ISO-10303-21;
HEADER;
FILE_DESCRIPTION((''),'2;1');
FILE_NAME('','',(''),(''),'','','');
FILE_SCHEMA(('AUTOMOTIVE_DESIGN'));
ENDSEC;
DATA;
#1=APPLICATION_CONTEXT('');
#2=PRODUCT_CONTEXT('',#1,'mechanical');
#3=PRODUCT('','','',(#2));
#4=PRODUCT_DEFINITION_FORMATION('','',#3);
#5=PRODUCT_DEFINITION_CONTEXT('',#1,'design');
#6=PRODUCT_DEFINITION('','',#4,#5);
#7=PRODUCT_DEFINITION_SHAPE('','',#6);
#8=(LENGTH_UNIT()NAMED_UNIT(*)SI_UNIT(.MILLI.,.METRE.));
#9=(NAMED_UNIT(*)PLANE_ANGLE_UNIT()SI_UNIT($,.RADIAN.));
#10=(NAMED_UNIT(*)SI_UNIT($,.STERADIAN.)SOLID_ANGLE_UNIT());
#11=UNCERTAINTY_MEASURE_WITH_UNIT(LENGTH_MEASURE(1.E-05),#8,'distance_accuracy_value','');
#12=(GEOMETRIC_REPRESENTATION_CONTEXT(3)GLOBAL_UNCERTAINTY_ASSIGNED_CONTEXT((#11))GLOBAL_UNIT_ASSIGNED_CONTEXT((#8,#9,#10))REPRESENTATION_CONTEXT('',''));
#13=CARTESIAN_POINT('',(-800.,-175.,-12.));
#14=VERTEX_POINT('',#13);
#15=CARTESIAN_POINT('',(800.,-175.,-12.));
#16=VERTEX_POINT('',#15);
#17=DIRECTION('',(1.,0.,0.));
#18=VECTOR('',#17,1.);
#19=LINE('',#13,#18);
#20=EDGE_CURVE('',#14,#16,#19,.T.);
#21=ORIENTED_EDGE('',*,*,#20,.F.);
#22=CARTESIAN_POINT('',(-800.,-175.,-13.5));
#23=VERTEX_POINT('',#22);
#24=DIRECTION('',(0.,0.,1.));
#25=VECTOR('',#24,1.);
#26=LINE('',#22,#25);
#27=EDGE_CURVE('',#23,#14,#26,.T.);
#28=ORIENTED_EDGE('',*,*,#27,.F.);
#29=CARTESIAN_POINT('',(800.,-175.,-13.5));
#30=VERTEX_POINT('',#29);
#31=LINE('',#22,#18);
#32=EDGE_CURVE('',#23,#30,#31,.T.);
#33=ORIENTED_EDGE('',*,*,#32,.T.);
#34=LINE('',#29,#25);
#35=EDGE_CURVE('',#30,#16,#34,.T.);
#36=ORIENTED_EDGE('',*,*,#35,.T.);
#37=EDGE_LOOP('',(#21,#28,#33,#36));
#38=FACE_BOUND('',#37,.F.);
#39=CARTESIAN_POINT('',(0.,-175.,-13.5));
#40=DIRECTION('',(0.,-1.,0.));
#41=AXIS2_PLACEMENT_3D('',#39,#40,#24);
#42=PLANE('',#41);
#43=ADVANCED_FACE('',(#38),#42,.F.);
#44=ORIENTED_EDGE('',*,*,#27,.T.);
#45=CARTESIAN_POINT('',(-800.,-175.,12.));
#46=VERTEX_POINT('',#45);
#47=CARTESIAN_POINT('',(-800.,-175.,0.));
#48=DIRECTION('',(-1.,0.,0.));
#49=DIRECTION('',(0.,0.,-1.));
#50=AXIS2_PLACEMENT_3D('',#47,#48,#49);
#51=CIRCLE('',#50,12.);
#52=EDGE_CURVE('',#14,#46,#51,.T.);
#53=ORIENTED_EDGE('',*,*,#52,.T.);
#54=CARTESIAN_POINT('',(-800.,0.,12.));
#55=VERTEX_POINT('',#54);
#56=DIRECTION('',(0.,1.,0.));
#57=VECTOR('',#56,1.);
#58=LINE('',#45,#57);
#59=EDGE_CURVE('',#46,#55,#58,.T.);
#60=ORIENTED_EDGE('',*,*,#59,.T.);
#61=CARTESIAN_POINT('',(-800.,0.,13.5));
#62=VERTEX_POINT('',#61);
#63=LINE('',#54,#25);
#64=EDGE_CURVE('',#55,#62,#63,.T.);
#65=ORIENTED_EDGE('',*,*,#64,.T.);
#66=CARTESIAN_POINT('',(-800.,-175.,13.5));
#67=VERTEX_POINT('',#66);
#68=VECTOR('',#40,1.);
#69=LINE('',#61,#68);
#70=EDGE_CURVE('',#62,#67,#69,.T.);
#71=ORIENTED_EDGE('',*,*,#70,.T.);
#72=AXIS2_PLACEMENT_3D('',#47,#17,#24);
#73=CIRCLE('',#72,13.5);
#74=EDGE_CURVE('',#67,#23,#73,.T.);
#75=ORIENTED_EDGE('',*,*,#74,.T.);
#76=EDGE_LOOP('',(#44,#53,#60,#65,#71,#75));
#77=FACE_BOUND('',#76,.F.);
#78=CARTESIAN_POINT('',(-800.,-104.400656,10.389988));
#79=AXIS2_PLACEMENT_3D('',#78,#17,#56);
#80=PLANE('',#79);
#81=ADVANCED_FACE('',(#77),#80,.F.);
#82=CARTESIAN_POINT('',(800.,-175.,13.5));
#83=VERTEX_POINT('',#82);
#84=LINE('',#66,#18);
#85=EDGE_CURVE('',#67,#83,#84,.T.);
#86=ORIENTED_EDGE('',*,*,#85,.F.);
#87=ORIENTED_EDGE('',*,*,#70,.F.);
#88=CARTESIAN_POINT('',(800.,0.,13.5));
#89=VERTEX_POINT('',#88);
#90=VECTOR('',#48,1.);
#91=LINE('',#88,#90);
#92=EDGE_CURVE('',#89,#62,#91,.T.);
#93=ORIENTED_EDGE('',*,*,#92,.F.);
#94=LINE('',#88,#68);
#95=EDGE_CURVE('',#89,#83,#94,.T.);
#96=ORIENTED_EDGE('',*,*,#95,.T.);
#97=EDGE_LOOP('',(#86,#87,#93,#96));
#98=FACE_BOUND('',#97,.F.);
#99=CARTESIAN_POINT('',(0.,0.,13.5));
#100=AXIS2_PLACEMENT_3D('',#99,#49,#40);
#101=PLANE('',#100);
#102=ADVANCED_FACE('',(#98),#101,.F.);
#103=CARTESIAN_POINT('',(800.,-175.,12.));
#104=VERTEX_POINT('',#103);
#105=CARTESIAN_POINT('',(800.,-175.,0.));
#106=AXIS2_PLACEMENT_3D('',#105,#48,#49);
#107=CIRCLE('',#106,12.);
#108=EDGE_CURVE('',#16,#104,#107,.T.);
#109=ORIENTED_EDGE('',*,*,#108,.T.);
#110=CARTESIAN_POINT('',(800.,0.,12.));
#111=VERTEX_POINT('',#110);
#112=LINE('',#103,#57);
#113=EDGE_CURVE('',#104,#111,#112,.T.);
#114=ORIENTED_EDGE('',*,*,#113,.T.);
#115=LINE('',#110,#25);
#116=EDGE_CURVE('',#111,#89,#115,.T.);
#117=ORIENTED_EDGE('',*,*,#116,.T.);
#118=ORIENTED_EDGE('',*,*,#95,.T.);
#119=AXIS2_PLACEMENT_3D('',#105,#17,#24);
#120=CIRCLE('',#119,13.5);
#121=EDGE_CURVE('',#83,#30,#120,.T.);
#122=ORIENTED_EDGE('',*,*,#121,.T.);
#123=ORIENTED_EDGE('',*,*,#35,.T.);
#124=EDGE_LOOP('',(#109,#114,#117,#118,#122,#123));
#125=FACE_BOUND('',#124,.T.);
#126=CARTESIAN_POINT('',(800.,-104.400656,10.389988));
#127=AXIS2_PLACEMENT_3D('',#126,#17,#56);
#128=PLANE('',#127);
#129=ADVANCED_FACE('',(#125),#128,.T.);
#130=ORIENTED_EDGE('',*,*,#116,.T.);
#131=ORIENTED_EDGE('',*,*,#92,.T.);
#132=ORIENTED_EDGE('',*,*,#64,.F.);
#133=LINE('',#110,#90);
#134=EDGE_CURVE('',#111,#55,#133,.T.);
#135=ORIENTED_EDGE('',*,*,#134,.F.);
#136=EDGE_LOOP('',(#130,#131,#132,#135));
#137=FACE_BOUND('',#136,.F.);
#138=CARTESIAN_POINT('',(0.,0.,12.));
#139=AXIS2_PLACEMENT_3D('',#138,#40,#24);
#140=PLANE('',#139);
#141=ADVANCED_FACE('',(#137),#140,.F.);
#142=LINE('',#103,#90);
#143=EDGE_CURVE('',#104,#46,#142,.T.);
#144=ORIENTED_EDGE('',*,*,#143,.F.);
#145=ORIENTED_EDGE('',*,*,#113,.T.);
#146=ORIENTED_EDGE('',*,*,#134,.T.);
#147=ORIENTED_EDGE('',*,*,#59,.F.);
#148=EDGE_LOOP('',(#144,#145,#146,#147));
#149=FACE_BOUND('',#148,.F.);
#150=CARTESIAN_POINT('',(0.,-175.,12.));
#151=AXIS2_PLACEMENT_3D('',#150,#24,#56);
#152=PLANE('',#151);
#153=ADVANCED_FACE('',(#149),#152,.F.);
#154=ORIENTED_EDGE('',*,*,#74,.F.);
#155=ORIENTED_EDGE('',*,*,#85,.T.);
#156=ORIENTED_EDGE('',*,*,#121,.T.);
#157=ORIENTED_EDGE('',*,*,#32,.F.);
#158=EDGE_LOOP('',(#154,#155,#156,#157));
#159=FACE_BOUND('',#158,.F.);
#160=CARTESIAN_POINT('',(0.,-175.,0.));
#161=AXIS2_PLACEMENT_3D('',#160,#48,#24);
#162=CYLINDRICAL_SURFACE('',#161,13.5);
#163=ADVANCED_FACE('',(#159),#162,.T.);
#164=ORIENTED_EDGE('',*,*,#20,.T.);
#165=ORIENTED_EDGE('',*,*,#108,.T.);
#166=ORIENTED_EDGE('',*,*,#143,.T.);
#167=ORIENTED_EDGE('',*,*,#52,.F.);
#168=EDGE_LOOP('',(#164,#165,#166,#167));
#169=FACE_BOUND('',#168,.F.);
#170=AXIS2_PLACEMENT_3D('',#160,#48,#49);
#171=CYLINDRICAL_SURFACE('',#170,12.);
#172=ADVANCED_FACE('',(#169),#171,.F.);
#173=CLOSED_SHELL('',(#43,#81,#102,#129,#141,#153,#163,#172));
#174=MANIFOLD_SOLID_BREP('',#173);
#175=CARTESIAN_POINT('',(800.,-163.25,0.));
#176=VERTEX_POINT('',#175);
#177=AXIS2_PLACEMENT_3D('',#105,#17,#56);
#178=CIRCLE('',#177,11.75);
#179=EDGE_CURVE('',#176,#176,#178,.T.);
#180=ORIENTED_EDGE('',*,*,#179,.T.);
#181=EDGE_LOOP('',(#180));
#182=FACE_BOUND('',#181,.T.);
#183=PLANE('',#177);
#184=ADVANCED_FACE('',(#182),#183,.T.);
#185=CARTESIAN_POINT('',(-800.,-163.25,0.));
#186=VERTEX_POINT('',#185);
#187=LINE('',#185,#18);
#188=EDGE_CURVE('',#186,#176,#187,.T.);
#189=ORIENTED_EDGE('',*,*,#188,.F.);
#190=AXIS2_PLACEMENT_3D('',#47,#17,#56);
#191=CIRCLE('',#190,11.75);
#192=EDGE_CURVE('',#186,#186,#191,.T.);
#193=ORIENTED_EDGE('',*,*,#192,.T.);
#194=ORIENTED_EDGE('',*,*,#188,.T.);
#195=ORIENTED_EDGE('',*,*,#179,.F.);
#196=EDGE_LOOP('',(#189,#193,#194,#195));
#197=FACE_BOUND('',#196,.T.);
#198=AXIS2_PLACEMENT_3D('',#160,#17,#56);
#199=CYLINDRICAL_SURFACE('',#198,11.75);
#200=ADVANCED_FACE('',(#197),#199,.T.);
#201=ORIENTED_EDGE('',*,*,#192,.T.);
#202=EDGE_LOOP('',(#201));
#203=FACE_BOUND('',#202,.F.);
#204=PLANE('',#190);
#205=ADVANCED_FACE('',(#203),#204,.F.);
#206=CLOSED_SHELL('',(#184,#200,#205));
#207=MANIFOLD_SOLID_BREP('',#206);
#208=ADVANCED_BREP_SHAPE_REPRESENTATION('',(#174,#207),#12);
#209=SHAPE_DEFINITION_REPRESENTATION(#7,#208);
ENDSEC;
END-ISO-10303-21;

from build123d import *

# Parameters (mm, degrees)
F0_R     = 11.75
F1_DEPTH = 800


with BuildPart() as f1:
    # F0 (on Right) → F1 (new body, symmetric)
    with BuildSketch(Plane.YZ):
        with BuildLine():
            Line((0, 13.5), (-175, 13.5))
            ThreePointArc((-175, 13.5), (-188.5, 0), (-175, -13.5))
            Line((-175, -13.5), (-175, -12))
            ThreePointArc((-175, -12), (-187, 0), (-175, 12))
            Line((-175, 12), (0, 12))
            Line((0, 12), (0, 13.5))
        make_face()
        with Locations((-175, 0)):
            Circle(F0_R)
    extrude(amount=F1_DEPTH, both=True)


solid = f1.part
